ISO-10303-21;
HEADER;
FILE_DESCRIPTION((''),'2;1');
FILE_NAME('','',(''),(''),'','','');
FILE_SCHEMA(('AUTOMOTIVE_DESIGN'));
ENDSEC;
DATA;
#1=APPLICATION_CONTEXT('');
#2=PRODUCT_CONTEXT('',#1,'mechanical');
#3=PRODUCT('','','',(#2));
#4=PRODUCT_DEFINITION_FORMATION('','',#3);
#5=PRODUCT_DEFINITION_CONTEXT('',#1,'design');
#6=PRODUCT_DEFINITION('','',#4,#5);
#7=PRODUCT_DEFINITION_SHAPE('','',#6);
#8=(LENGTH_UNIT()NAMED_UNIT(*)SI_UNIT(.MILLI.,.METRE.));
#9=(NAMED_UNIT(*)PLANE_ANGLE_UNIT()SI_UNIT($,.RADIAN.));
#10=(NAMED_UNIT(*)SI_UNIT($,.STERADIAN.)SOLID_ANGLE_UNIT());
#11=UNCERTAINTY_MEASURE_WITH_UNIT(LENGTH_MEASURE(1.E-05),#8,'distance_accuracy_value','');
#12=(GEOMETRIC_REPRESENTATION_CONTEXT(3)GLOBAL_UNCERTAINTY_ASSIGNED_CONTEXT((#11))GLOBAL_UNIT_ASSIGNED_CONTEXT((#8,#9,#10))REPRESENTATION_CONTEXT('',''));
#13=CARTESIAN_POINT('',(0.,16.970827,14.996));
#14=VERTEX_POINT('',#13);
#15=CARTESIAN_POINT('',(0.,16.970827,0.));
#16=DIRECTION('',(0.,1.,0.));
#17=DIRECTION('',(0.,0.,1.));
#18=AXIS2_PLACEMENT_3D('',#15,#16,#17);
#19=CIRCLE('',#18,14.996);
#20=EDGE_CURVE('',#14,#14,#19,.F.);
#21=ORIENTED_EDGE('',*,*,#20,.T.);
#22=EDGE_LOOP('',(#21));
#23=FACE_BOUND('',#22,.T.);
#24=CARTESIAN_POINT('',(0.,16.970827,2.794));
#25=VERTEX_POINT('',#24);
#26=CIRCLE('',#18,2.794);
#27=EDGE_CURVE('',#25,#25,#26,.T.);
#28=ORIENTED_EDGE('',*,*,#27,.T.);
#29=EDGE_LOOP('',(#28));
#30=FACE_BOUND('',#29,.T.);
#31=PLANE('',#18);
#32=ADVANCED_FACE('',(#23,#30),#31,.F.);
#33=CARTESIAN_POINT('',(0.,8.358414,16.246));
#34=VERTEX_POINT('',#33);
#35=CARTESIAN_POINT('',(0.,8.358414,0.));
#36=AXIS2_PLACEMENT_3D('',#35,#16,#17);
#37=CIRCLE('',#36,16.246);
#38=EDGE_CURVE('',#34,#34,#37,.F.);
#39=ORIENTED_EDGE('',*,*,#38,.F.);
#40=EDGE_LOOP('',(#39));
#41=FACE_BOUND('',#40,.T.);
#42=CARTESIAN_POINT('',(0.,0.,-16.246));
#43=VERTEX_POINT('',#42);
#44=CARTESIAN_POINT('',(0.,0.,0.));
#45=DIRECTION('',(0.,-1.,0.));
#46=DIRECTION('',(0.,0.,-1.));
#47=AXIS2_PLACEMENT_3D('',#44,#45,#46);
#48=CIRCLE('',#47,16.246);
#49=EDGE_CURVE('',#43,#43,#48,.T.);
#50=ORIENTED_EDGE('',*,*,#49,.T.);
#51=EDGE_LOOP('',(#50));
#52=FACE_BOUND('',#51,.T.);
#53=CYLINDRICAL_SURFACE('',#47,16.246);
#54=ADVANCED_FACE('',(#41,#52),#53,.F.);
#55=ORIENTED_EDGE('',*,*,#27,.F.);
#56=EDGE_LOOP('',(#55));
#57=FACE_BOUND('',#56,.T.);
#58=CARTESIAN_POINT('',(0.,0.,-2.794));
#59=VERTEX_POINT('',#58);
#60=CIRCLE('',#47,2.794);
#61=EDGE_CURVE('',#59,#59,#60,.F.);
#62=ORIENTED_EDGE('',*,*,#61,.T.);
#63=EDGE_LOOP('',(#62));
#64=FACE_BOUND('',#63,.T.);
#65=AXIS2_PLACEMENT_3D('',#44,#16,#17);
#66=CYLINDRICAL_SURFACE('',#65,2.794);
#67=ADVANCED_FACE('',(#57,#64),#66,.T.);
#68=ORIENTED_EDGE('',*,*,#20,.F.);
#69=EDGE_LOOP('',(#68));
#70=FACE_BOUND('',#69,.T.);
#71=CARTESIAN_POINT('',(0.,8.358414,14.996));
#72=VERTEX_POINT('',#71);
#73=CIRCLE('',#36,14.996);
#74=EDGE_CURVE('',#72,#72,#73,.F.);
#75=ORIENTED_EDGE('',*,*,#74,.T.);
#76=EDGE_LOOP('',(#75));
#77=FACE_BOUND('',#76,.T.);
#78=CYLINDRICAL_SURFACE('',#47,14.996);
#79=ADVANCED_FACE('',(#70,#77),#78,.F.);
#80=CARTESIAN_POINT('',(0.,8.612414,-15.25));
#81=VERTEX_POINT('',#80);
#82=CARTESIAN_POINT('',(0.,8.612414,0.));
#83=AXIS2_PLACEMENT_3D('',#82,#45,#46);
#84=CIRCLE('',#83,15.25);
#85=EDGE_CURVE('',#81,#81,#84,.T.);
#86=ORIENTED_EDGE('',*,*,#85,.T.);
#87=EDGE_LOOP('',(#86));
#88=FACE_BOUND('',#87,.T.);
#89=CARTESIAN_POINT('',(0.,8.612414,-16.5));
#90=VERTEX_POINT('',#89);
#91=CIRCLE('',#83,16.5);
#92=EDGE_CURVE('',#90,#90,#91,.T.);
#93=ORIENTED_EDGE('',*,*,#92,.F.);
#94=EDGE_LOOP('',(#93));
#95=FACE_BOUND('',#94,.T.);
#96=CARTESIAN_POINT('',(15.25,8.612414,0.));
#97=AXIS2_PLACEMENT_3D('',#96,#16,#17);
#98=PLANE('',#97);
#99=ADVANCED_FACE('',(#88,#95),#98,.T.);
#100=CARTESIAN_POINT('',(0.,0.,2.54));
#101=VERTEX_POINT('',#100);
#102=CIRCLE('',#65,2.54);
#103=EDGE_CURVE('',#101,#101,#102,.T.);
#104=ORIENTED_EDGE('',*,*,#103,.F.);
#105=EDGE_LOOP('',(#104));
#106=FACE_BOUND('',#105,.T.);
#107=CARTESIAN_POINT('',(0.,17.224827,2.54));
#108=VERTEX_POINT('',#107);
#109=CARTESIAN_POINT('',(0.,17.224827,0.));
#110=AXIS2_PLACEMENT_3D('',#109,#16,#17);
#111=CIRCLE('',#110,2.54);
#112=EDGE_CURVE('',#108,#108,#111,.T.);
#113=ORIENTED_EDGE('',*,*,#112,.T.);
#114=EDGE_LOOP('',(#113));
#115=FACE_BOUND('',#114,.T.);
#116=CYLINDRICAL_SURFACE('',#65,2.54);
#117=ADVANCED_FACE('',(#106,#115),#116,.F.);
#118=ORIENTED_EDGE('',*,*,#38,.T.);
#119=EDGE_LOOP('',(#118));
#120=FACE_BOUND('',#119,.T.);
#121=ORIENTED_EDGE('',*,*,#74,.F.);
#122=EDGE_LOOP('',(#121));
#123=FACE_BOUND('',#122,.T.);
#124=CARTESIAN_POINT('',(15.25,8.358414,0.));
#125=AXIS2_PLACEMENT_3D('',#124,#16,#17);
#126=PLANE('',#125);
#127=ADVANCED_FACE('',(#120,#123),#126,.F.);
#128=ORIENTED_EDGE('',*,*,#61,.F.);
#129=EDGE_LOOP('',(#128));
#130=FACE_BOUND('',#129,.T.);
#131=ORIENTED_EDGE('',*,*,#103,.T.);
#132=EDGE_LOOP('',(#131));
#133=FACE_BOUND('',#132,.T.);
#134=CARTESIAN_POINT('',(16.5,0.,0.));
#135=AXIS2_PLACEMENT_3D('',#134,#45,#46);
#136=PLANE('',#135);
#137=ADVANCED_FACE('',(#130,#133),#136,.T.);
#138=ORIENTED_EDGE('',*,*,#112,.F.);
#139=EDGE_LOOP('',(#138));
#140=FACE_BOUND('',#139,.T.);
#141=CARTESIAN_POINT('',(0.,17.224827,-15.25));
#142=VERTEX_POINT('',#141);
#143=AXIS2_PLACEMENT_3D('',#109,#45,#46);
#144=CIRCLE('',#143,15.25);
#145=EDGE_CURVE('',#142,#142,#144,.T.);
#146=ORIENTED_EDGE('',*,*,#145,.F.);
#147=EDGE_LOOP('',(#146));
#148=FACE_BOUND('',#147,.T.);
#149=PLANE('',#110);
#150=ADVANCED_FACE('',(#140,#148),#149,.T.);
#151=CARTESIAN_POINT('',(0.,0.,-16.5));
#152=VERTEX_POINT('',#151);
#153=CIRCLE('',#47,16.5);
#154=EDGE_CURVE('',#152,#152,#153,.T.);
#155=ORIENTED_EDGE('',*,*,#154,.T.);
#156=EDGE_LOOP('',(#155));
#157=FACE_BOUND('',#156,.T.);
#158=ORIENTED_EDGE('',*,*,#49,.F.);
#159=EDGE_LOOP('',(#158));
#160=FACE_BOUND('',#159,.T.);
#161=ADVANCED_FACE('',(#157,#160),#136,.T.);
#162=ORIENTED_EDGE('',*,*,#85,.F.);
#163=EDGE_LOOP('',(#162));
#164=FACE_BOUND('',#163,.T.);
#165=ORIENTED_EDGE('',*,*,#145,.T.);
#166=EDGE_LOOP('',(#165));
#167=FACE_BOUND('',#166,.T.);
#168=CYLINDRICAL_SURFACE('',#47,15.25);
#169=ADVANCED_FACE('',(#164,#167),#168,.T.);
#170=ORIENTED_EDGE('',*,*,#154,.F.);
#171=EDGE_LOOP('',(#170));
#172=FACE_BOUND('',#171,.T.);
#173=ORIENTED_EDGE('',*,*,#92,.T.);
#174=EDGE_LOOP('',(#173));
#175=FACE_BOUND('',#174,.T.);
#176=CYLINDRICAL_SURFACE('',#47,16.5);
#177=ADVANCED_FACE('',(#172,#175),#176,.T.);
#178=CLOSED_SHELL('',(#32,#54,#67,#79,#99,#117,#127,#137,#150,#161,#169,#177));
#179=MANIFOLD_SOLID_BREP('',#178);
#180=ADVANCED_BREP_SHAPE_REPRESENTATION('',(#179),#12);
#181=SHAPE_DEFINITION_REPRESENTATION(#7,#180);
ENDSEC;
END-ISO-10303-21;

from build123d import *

# Parameters (mm, degrees)
SKETCH2_R          = 2.54
CUT_EXTRUDE1_DEPTH = 30.003356194
SHELL2_T           = -0.254


with BuildPart() as part:
    # Sketch1 → Revolve1 (revolve)
    with BuildSketch(Plane.XY, mode=Mode.PRIVATE) as revolve1_sk:
        Polygon((0, 0), (0, 17.224827156), (15.25, 17.224827156), (15.25, 8.612413578), (16.5, 8.612413578), (16.5, 0), align=None)
    revolve(revolve1_sk.sketch.rotate(Axis((0, 0, 0), (0, 1, 0)), 90), axis=Axis((0, 0, 0), (0, 1, 0)))

    # Sketch2 → Cut-Extrude1 (cut, through all)
    with BuildSketch(Plane(origin=(0, 17.224827156, 0), x_dir=(1, 0, 0), z_dir=(0, 1, 0))):
        with Locations(Location((0, 0, 0), (0, 0, 270))):
            Circle(SKETCH2_R)
    extrude(amount=-CUT_EXTRUDE1_DEPTH, mode=Mode.SUBTRACT)

    # Shell2
    shell2_openings = [part.faces().sort_by_distance(p)[0] for p in [
        (0, 0, 16.033309524),
    ]]
    offset(amount=SHELL2_T, openings=shell2_openings, kind=Kind.INTERSECTION)


solid = part.part
